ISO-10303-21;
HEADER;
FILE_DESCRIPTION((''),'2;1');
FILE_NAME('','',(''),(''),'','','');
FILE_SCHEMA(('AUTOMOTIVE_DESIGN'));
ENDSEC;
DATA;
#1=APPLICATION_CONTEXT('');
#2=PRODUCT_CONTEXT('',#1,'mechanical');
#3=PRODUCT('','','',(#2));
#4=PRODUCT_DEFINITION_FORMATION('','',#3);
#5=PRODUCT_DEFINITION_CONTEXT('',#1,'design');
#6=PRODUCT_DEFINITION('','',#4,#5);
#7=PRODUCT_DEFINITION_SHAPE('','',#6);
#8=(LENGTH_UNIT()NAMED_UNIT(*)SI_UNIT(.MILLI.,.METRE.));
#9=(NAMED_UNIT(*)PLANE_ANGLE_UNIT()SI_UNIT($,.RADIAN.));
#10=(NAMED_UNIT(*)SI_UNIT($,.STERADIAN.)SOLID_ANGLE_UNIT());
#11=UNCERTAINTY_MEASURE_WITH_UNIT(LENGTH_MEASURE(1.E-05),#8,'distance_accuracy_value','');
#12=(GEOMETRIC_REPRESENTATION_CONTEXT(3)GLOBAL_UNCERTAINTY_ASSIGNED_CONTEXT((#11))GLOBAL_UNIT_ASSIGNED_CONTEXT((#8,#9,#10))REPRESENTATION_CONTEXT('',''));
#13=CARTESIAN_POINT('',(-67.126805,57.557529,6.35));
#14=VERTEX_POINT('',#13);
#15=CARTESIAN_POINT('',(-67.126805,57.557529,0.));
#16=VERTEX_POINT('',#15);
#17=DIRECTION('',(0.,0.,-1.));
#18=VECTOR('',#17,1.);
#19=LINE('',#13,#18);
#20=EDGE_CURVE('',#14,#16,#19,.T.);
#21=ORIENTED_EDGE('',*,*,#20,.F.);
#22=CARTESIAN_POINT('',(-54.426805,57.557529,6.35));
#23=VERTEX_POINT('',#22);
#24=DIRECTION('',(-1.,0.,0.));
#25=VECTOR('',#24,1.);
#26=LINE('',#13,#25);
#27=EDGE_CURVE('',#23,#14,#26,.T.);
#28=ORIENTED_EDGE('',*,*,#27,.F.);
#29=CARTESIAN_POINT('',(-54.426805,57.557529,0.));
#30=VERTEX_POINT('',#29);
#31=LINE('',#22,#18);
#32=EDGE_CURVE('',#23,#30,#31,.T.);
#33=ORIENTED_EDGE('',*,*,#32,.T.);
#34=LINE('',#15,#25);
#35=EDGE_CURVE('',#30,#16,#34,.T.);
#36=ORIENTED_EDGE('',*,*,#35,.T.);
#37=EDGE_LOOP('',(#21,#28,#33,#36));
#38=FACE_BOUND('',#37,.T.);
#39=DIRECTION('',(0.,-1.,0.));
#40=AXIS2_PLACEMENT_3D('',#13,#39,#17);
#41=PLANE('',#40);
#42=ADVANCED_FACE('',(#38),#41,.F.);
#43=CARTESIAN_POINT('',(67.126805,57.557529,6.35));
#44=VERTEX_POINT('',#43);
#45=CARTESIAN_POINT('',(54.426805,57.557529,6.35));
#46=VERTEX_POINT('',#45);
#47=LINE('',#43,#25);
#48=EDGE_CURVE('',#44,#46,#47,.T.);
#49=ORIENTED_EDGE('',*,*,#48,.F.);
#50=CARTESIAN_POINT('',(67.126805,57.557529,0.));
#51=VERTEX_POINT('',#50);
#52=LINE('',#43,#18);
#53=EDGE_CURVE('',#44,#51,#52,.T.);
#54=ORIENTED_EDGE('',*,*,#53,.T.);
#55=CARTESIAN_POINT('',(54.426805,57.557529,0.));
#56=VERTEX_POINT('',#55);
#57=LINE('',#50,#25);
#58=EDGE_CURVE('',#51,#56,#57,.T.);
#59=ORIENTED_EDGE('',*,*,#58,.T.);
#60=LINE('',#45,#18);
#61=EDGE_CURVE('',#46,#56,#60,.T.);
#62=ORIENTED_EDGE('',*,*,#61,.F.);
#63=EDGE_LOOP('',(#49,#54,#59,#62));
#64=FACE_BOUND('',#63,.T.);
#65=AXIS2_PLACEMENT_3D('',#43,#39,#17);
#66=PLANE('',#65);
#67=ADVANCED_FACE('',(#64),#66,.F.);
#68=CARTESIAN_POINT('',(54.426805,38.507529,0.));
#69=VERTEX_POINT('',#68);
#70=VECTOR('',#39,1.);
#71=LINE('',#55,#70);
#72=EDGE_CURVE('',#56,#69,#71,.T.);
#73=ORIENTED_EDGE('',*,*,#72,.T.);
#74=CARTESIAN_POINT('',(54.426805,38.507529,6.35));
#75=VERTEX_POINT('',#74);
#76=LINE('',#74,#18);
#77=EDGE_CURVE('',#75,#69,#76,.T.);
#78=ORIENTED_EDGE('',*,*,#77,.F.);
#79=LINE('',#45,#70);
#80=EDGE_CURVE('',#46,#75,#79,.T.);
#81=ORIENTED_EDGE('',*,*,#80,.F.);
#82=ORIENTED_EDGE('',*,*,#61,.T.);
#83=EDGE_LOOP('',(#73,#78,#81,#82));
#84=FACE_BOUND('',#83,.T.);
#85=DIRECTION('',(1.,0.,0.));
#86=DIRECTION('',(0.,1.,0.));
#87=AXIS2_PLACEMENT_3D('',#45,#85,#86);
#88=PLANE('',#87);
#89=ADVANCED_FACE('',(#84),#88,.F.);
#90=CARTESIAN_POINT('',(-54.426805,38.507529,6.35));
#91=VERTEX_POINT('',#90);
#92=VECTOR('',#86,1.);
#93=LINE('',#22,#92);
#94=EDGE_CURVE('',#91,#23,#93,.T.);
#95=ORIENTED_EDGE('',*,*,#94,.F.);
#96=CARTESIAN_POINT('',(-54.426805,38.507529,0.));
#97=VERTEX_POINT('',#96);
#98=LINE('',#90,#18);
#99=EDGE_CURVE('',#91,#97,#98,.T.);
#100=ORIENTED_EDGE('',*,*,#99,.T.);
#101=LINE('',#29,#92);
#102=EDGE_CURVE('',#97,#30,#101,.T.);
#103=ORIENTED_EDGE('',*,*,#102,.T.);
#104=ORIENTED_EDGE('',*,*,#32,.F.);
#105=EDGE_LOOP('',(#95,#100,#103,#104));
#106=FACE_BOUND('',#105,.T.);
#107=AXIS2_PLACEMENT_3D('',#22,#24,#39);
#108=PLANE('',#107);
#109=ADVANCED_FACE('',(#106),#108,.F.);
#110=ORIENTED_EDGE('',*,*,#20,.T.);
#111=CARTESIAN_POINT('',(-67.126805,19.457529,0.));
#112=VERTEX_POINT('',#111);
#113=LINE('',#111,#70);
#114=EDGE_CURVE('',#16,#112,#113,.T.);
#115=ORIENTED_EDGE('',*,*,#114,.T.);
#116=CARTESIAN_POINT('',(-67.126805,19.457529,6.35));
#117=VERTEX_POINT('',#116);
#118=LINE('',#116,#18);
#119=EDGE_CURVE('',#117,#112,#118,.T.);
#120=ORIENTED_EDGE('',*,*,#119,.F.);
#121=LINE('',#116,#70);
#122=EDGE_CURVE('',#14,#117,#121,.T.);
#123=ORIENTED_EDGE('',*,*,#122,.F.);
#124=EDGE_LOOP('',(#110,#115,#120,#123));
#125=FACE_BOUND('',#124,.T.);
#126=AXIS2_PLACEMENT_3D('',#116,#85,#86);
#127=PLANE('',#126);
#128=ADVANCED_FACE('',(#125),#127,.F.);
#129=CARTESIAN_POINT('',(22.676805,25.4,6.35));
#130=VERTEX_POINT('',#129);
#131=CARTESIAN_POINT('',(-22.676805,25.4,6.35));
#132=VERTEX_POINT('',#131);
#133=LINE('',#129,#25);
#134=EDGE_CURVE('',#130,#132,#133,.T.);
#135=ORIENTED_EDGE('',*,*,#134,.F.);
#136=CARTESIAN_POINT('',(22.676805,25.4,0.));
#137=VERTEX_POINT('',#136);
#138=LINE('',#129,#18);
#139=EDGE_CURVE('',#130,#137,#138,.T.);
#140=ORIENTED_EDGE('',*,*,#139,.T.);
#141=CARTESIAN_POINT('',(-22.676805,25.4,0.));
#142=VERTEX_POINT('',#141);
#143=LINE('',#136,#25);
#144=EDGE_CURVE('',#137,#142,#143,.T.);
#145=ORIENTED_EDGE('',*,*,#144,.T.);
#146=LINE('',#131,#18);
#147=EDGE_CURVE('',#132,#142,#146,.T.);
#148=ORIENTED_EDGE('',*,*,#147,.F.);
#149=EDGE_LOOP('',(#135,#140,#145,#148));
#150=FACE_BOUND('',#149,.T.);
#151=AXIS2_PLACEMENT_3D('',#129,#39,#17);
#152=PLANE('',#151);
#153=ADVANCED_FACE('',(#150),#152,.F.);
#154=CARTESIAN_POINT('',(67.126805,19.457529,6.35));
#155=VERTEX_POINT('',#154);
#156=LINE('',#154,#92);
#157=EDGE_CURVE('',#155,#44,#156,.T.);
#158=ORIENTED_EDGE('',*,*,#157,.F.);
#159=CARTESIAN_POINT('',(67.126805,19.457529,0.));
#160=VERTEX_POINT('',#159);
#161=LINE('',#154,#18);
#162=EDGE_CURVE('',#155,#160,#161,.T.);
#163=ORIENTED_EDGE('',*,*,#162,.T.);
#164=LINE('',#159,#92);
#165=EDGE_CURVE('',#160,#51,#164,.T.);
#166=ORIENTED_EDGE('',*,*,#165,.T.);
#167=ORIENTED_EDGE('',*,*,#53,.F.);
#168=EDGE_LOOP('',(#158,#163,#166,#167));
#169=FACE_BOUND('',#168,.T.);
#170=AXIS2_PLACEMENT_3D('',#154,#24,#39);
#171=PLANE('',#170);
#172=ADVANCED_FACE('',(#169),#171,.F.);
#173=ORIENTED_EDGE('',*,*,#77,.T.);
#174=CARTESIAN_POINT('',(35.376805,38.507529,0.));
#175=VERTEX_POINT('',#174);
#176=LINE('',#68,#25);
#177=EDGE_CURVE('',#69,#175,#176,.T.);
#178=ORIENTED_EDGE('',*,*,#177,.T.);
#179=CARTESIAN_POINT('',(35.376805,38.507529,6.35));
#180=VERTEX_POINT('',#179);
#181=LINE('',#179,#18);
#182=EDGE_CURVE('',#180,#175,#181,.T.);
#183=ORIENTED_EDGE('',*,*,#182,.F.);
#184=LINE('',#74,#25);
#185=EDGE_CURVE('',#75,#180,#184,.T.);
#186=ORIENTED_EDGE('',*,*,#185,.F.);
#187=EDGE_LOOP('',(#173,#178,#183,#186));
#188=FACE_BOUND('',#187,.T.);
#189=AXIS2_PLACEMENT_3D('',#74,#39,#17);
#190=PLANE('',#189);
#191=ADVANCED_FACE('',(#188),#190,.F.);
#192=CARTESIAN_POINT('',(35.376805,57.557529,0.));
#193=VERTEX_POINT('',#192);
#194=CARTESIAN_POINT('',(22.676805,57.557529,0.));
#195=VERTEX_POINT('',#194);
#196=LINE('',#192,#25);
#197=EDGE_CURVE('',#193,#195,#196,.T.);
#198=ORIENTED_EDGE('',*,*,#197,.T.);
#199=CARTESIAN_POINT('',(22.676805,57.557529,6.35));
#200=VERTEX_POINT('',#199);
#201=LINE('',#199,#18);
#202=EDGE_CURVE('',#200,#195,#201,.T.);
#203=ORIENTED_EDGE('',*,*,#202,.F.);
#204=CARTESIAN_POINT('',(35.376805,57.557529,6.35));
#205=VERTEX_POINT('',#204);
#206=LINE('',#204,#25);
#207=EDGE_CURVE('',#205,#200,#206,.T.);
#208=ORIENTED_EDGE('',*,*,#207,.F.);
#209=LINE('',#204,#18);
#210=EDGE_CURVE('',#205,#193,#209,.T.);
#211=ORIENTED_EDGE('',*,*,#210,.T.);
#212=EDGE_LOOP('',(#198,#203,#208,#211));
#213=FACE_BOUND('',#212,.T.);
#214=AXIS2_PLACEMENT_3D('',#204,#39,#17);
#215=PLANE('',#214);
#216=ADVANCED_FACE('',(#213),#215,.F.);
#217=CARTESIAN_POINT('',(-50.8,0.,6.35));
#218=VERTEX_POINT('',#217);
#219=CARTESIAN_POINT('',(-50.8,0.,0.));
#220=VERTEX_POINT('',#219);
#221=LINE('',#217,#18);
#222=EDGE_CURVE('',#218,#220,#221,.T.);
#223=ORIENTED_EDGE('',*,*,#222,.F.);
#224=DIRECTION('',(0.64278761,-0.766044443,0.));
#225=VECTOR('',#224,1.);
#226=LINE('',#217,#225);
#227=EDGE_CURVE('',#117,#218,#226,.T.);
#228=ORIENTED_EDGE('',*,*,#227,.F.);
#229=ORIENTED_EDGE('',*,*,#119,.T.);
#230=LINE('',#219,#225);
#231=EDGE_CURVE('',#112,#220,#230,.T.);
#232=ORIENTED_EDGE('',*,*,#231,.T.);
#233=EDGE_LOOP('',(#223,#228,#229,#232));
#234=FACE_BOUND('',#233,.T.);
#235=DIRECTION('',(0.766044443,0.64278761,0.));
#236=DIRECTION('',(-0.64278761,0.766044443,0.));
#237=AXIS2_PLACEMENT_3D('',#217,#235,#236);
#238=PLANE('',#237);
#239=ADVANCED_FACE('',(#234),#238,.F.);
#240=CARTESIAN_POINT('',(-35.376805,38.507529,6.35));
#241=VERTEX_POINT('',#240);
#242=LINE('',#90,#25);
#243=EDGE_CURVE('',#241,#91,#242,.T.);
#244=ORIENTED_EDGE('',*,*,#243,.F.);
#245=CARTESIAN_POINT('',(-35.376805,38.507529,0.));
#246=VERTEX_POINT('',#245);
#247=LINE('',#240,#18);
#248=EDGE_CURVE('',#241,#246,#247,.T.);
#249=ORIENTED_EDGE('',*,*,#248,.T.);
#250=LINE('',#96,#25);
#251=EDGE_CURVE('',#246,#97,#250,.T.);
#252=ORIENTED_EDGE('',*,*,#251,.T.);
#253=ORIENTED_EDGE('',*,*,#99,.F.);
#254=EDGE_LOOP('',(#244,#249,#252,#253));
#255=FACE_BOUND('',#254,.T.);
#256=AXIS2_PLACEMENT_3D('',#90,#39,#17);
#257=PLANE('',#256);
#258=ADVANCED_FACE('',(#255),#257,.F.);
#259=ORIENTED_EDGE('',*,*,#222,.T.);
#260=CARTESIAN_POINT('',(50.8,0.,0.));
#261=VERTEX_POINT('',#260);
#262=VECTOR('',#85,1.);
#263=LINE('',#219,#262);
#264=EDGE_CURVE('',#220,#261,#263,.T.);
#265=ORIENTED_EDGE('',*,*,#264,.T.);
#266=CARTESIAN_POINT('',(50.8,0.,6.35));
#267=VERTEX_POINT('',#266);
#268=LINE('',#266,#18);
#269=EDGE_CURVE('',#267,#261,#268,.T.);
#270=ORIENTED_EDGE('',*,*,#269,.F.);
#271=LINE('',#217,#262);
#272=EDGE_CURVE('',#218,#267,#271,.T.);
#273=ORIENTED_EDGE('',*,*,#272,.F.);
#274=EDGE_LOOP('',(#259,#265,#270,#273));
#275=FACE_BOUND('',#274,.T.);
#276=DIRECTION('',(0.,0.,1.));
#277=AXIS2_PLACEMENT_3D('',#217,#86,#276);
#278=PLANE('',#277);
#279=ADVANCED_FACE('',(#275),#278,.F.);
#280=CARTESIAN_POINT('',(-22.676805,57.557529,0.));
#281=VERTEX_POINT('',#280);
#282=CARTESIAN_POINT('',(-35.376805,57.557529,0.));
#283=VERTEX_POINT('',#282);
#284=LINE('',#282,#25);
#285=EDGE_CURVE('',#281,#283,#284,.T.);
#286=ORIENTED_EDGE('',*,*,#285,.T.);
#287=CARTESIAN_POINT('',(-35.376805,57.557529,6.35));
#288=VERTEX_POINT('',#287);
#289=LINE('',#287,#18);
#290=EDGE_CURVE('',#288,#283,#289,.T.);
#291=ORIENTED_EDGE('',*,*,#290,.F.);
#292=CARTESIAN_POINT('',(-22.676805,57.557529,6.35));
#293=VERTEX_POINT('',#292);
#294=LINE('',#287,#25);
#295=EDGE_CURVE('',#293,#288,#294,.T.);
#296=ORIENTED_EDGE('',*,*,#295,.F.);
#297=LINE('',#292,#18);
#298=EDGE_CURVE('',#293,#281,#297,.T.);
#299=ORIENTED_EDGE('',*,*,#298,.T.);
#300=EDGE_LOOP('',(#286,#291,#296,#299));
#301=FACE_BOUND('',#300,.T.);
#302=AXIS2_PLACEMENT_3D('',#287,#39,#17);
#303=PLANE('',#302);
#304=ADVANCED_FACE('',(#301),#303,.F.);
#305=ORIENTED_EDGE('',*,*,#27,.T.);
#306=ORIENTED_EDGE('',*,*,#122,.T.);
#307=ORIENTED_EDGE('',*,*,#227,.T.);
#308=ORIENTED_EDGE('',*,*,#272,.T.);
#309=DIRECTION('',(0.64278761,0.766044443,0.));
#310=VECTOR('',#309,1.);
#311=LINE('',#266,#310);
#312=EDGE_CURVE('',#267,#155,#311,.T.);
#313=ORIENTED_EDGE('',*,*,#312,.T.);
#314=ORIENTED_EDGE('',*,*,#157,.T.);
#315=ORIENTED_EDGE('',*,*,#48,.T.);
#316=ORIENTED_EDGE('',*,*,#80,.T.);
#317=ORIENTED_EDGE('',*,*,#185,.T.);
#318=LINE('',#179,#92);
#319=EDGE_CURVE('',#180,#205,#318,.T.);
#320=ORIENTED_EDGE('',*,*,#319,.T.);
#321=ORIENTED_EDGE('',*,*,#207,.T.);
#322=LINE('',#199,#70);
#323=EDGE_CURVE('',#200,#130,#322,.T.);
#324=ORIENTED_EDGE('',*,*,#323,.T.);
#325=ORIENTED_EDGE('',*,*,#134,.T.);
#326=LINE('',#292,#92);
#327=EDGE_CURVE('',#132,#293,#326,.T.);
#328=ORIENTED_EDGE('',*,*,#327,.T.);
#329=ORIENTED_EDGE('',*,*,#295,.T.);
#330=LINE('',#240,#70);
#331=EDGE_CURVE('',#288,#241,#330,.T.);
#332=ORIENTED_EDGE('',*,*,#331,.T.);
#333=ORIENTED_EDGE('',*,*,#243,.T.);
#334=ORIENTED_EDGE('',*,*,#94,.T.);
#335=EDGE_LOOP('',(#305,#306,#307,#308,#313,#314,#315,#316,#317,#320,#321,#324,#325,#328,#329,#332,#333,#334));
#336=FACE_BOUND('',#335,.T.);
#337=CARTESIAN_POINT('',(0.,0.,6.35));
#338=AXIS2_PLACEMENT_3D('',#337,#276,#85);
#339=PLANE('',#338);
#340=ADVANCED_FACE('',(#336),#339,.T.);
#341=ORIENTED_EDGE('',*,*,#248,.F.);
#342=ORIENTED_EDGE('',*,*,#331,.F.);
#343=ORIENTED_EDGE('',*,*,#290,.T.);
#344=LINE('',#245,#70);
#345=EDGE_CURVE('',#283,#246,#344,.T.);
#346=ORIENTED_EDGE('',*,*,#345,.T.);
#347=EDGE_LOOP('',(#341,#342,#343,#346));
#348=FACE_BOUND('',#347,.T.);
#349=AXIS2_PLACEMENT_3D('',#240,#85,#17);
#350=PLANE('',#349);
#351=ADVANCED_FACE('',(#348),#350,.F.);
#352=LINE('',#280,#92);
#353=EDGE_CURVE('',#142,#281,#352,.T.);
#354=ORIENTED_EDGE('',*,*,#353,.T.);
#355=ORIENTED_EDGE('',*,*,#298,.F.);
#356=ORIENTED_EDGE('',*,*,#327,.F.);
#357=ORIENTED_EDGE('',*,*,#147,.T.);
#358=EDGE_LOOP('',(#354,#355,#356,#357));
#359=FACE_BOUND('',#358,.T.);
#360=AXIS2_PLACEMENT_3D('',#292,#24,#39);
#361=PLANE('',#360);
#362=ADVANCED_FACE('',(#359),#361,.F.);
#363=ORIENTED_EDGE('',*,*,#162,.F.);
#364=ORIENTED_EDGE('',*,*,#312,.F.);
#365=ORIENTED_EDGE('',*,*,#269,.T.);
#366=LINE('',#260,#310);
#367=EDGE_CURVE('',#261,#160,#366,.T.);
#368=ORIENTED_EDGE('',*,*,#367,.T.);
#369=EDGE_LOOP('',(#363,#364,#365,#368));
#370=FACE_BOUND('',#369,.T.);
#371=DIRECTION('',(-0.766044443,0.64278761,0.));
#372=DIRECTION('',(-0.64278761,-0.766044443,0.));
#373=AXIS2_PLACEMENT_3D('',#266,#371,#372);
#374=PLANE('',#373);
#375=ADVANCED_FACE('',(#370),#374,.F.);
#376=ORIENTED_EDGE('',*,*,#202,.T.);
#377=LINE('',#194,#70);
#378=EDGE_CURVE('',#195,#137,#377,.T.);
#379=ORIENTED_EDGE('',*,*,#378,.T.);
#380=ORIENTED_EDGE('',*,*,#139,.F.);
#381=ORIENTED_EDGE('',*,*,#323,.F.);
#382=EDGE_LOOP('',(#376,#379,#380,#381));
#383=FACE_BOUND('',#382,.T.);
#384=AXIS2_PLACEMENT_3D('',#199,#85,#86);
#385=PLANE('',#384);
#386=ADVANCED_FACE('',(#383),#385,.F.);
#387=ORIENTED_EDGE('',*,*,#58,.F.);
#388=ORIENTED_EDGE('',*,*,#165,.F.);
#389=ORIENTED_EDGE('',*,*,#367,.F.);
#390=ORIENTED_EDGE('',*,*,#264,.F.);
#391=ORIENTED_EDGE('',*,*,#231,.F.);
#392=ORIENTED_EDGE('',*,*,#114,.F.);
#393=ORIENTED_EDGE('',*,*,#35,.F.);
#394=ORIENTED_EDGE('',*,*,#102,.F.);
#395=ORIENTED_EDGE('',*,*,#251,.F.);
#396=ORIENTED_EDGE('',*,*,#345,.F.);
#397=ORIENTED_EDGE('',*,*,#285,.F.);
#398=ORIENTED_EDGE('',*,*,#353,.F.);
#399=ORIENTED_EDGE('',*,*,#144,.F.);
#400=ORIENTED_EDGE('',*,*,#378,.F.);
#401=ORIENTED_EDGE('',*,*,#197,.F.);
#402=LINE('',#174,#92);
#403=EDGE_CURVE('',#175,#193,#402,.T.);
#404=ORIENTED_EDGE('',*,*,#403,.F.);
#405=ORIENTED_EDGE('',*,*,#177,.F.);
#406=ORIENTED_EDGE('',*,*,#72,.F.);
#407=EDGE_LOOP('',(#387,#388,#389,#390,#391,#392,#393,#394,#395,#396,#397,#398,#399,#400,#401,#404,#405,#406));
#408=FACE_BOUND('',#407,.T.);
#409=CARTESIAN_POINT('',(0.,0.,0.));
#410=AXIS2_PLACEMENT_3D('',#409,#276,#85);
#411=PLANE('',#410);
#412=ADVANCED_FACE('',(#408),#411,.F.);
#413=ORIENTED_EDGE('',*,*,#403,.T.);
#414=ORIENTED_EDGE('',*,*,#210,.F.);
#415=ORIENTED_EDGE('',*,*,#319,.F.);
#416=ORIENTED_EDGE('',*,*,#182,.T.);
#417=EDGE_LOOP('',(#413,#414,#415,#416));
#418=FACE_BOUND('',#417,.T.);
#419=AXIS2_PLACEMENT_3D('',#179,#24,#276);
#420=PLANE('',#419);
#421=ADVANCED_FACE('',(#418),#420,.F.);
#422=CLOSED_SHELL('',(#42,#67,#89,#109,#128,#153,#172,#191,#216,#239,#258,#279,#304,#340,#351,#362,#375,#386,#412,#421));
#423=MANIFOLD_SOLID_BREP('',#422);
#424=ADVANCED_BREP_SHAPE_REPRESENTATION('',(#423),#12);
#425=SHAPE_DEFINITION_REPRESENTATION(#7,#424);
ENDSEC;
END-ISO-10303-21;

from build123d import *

# Parameters (mm, degrees)
BOSS_EXTRUDE1_DEPTH = 6.35


with BuildPart() as part:
    # Sketch1 → Boss-Extrude1 (new body)
    with BuildSketch(Plane.XY):
        Polygon((-50.8, 0), (50.8, 0), (67.126805286, 19.457528855), (67.126805286, 57.557528855), (54.426805286, 57.557528855), (54.426805286, 38.507528855), (35.376805286, 38.507528855), (35.376805286, 57.557528855), (22.676805286, 57.557528855), (22.676805286, 25.4), (-22.676805286, 25.4), (-22.676805286, 57.557528855), (-35.376805286, 57.557528855), (-35.376805286, 38.507528855), (-54.426805286, 38.507528855), (-54.426805286, 57.557528855), (-67.126805286, 57.557528855), (-67.126805286, 19.457528855), align=None)
    extrude(amount=BOSS_EXTRUDE1_DEPTH)


solid = part.part
